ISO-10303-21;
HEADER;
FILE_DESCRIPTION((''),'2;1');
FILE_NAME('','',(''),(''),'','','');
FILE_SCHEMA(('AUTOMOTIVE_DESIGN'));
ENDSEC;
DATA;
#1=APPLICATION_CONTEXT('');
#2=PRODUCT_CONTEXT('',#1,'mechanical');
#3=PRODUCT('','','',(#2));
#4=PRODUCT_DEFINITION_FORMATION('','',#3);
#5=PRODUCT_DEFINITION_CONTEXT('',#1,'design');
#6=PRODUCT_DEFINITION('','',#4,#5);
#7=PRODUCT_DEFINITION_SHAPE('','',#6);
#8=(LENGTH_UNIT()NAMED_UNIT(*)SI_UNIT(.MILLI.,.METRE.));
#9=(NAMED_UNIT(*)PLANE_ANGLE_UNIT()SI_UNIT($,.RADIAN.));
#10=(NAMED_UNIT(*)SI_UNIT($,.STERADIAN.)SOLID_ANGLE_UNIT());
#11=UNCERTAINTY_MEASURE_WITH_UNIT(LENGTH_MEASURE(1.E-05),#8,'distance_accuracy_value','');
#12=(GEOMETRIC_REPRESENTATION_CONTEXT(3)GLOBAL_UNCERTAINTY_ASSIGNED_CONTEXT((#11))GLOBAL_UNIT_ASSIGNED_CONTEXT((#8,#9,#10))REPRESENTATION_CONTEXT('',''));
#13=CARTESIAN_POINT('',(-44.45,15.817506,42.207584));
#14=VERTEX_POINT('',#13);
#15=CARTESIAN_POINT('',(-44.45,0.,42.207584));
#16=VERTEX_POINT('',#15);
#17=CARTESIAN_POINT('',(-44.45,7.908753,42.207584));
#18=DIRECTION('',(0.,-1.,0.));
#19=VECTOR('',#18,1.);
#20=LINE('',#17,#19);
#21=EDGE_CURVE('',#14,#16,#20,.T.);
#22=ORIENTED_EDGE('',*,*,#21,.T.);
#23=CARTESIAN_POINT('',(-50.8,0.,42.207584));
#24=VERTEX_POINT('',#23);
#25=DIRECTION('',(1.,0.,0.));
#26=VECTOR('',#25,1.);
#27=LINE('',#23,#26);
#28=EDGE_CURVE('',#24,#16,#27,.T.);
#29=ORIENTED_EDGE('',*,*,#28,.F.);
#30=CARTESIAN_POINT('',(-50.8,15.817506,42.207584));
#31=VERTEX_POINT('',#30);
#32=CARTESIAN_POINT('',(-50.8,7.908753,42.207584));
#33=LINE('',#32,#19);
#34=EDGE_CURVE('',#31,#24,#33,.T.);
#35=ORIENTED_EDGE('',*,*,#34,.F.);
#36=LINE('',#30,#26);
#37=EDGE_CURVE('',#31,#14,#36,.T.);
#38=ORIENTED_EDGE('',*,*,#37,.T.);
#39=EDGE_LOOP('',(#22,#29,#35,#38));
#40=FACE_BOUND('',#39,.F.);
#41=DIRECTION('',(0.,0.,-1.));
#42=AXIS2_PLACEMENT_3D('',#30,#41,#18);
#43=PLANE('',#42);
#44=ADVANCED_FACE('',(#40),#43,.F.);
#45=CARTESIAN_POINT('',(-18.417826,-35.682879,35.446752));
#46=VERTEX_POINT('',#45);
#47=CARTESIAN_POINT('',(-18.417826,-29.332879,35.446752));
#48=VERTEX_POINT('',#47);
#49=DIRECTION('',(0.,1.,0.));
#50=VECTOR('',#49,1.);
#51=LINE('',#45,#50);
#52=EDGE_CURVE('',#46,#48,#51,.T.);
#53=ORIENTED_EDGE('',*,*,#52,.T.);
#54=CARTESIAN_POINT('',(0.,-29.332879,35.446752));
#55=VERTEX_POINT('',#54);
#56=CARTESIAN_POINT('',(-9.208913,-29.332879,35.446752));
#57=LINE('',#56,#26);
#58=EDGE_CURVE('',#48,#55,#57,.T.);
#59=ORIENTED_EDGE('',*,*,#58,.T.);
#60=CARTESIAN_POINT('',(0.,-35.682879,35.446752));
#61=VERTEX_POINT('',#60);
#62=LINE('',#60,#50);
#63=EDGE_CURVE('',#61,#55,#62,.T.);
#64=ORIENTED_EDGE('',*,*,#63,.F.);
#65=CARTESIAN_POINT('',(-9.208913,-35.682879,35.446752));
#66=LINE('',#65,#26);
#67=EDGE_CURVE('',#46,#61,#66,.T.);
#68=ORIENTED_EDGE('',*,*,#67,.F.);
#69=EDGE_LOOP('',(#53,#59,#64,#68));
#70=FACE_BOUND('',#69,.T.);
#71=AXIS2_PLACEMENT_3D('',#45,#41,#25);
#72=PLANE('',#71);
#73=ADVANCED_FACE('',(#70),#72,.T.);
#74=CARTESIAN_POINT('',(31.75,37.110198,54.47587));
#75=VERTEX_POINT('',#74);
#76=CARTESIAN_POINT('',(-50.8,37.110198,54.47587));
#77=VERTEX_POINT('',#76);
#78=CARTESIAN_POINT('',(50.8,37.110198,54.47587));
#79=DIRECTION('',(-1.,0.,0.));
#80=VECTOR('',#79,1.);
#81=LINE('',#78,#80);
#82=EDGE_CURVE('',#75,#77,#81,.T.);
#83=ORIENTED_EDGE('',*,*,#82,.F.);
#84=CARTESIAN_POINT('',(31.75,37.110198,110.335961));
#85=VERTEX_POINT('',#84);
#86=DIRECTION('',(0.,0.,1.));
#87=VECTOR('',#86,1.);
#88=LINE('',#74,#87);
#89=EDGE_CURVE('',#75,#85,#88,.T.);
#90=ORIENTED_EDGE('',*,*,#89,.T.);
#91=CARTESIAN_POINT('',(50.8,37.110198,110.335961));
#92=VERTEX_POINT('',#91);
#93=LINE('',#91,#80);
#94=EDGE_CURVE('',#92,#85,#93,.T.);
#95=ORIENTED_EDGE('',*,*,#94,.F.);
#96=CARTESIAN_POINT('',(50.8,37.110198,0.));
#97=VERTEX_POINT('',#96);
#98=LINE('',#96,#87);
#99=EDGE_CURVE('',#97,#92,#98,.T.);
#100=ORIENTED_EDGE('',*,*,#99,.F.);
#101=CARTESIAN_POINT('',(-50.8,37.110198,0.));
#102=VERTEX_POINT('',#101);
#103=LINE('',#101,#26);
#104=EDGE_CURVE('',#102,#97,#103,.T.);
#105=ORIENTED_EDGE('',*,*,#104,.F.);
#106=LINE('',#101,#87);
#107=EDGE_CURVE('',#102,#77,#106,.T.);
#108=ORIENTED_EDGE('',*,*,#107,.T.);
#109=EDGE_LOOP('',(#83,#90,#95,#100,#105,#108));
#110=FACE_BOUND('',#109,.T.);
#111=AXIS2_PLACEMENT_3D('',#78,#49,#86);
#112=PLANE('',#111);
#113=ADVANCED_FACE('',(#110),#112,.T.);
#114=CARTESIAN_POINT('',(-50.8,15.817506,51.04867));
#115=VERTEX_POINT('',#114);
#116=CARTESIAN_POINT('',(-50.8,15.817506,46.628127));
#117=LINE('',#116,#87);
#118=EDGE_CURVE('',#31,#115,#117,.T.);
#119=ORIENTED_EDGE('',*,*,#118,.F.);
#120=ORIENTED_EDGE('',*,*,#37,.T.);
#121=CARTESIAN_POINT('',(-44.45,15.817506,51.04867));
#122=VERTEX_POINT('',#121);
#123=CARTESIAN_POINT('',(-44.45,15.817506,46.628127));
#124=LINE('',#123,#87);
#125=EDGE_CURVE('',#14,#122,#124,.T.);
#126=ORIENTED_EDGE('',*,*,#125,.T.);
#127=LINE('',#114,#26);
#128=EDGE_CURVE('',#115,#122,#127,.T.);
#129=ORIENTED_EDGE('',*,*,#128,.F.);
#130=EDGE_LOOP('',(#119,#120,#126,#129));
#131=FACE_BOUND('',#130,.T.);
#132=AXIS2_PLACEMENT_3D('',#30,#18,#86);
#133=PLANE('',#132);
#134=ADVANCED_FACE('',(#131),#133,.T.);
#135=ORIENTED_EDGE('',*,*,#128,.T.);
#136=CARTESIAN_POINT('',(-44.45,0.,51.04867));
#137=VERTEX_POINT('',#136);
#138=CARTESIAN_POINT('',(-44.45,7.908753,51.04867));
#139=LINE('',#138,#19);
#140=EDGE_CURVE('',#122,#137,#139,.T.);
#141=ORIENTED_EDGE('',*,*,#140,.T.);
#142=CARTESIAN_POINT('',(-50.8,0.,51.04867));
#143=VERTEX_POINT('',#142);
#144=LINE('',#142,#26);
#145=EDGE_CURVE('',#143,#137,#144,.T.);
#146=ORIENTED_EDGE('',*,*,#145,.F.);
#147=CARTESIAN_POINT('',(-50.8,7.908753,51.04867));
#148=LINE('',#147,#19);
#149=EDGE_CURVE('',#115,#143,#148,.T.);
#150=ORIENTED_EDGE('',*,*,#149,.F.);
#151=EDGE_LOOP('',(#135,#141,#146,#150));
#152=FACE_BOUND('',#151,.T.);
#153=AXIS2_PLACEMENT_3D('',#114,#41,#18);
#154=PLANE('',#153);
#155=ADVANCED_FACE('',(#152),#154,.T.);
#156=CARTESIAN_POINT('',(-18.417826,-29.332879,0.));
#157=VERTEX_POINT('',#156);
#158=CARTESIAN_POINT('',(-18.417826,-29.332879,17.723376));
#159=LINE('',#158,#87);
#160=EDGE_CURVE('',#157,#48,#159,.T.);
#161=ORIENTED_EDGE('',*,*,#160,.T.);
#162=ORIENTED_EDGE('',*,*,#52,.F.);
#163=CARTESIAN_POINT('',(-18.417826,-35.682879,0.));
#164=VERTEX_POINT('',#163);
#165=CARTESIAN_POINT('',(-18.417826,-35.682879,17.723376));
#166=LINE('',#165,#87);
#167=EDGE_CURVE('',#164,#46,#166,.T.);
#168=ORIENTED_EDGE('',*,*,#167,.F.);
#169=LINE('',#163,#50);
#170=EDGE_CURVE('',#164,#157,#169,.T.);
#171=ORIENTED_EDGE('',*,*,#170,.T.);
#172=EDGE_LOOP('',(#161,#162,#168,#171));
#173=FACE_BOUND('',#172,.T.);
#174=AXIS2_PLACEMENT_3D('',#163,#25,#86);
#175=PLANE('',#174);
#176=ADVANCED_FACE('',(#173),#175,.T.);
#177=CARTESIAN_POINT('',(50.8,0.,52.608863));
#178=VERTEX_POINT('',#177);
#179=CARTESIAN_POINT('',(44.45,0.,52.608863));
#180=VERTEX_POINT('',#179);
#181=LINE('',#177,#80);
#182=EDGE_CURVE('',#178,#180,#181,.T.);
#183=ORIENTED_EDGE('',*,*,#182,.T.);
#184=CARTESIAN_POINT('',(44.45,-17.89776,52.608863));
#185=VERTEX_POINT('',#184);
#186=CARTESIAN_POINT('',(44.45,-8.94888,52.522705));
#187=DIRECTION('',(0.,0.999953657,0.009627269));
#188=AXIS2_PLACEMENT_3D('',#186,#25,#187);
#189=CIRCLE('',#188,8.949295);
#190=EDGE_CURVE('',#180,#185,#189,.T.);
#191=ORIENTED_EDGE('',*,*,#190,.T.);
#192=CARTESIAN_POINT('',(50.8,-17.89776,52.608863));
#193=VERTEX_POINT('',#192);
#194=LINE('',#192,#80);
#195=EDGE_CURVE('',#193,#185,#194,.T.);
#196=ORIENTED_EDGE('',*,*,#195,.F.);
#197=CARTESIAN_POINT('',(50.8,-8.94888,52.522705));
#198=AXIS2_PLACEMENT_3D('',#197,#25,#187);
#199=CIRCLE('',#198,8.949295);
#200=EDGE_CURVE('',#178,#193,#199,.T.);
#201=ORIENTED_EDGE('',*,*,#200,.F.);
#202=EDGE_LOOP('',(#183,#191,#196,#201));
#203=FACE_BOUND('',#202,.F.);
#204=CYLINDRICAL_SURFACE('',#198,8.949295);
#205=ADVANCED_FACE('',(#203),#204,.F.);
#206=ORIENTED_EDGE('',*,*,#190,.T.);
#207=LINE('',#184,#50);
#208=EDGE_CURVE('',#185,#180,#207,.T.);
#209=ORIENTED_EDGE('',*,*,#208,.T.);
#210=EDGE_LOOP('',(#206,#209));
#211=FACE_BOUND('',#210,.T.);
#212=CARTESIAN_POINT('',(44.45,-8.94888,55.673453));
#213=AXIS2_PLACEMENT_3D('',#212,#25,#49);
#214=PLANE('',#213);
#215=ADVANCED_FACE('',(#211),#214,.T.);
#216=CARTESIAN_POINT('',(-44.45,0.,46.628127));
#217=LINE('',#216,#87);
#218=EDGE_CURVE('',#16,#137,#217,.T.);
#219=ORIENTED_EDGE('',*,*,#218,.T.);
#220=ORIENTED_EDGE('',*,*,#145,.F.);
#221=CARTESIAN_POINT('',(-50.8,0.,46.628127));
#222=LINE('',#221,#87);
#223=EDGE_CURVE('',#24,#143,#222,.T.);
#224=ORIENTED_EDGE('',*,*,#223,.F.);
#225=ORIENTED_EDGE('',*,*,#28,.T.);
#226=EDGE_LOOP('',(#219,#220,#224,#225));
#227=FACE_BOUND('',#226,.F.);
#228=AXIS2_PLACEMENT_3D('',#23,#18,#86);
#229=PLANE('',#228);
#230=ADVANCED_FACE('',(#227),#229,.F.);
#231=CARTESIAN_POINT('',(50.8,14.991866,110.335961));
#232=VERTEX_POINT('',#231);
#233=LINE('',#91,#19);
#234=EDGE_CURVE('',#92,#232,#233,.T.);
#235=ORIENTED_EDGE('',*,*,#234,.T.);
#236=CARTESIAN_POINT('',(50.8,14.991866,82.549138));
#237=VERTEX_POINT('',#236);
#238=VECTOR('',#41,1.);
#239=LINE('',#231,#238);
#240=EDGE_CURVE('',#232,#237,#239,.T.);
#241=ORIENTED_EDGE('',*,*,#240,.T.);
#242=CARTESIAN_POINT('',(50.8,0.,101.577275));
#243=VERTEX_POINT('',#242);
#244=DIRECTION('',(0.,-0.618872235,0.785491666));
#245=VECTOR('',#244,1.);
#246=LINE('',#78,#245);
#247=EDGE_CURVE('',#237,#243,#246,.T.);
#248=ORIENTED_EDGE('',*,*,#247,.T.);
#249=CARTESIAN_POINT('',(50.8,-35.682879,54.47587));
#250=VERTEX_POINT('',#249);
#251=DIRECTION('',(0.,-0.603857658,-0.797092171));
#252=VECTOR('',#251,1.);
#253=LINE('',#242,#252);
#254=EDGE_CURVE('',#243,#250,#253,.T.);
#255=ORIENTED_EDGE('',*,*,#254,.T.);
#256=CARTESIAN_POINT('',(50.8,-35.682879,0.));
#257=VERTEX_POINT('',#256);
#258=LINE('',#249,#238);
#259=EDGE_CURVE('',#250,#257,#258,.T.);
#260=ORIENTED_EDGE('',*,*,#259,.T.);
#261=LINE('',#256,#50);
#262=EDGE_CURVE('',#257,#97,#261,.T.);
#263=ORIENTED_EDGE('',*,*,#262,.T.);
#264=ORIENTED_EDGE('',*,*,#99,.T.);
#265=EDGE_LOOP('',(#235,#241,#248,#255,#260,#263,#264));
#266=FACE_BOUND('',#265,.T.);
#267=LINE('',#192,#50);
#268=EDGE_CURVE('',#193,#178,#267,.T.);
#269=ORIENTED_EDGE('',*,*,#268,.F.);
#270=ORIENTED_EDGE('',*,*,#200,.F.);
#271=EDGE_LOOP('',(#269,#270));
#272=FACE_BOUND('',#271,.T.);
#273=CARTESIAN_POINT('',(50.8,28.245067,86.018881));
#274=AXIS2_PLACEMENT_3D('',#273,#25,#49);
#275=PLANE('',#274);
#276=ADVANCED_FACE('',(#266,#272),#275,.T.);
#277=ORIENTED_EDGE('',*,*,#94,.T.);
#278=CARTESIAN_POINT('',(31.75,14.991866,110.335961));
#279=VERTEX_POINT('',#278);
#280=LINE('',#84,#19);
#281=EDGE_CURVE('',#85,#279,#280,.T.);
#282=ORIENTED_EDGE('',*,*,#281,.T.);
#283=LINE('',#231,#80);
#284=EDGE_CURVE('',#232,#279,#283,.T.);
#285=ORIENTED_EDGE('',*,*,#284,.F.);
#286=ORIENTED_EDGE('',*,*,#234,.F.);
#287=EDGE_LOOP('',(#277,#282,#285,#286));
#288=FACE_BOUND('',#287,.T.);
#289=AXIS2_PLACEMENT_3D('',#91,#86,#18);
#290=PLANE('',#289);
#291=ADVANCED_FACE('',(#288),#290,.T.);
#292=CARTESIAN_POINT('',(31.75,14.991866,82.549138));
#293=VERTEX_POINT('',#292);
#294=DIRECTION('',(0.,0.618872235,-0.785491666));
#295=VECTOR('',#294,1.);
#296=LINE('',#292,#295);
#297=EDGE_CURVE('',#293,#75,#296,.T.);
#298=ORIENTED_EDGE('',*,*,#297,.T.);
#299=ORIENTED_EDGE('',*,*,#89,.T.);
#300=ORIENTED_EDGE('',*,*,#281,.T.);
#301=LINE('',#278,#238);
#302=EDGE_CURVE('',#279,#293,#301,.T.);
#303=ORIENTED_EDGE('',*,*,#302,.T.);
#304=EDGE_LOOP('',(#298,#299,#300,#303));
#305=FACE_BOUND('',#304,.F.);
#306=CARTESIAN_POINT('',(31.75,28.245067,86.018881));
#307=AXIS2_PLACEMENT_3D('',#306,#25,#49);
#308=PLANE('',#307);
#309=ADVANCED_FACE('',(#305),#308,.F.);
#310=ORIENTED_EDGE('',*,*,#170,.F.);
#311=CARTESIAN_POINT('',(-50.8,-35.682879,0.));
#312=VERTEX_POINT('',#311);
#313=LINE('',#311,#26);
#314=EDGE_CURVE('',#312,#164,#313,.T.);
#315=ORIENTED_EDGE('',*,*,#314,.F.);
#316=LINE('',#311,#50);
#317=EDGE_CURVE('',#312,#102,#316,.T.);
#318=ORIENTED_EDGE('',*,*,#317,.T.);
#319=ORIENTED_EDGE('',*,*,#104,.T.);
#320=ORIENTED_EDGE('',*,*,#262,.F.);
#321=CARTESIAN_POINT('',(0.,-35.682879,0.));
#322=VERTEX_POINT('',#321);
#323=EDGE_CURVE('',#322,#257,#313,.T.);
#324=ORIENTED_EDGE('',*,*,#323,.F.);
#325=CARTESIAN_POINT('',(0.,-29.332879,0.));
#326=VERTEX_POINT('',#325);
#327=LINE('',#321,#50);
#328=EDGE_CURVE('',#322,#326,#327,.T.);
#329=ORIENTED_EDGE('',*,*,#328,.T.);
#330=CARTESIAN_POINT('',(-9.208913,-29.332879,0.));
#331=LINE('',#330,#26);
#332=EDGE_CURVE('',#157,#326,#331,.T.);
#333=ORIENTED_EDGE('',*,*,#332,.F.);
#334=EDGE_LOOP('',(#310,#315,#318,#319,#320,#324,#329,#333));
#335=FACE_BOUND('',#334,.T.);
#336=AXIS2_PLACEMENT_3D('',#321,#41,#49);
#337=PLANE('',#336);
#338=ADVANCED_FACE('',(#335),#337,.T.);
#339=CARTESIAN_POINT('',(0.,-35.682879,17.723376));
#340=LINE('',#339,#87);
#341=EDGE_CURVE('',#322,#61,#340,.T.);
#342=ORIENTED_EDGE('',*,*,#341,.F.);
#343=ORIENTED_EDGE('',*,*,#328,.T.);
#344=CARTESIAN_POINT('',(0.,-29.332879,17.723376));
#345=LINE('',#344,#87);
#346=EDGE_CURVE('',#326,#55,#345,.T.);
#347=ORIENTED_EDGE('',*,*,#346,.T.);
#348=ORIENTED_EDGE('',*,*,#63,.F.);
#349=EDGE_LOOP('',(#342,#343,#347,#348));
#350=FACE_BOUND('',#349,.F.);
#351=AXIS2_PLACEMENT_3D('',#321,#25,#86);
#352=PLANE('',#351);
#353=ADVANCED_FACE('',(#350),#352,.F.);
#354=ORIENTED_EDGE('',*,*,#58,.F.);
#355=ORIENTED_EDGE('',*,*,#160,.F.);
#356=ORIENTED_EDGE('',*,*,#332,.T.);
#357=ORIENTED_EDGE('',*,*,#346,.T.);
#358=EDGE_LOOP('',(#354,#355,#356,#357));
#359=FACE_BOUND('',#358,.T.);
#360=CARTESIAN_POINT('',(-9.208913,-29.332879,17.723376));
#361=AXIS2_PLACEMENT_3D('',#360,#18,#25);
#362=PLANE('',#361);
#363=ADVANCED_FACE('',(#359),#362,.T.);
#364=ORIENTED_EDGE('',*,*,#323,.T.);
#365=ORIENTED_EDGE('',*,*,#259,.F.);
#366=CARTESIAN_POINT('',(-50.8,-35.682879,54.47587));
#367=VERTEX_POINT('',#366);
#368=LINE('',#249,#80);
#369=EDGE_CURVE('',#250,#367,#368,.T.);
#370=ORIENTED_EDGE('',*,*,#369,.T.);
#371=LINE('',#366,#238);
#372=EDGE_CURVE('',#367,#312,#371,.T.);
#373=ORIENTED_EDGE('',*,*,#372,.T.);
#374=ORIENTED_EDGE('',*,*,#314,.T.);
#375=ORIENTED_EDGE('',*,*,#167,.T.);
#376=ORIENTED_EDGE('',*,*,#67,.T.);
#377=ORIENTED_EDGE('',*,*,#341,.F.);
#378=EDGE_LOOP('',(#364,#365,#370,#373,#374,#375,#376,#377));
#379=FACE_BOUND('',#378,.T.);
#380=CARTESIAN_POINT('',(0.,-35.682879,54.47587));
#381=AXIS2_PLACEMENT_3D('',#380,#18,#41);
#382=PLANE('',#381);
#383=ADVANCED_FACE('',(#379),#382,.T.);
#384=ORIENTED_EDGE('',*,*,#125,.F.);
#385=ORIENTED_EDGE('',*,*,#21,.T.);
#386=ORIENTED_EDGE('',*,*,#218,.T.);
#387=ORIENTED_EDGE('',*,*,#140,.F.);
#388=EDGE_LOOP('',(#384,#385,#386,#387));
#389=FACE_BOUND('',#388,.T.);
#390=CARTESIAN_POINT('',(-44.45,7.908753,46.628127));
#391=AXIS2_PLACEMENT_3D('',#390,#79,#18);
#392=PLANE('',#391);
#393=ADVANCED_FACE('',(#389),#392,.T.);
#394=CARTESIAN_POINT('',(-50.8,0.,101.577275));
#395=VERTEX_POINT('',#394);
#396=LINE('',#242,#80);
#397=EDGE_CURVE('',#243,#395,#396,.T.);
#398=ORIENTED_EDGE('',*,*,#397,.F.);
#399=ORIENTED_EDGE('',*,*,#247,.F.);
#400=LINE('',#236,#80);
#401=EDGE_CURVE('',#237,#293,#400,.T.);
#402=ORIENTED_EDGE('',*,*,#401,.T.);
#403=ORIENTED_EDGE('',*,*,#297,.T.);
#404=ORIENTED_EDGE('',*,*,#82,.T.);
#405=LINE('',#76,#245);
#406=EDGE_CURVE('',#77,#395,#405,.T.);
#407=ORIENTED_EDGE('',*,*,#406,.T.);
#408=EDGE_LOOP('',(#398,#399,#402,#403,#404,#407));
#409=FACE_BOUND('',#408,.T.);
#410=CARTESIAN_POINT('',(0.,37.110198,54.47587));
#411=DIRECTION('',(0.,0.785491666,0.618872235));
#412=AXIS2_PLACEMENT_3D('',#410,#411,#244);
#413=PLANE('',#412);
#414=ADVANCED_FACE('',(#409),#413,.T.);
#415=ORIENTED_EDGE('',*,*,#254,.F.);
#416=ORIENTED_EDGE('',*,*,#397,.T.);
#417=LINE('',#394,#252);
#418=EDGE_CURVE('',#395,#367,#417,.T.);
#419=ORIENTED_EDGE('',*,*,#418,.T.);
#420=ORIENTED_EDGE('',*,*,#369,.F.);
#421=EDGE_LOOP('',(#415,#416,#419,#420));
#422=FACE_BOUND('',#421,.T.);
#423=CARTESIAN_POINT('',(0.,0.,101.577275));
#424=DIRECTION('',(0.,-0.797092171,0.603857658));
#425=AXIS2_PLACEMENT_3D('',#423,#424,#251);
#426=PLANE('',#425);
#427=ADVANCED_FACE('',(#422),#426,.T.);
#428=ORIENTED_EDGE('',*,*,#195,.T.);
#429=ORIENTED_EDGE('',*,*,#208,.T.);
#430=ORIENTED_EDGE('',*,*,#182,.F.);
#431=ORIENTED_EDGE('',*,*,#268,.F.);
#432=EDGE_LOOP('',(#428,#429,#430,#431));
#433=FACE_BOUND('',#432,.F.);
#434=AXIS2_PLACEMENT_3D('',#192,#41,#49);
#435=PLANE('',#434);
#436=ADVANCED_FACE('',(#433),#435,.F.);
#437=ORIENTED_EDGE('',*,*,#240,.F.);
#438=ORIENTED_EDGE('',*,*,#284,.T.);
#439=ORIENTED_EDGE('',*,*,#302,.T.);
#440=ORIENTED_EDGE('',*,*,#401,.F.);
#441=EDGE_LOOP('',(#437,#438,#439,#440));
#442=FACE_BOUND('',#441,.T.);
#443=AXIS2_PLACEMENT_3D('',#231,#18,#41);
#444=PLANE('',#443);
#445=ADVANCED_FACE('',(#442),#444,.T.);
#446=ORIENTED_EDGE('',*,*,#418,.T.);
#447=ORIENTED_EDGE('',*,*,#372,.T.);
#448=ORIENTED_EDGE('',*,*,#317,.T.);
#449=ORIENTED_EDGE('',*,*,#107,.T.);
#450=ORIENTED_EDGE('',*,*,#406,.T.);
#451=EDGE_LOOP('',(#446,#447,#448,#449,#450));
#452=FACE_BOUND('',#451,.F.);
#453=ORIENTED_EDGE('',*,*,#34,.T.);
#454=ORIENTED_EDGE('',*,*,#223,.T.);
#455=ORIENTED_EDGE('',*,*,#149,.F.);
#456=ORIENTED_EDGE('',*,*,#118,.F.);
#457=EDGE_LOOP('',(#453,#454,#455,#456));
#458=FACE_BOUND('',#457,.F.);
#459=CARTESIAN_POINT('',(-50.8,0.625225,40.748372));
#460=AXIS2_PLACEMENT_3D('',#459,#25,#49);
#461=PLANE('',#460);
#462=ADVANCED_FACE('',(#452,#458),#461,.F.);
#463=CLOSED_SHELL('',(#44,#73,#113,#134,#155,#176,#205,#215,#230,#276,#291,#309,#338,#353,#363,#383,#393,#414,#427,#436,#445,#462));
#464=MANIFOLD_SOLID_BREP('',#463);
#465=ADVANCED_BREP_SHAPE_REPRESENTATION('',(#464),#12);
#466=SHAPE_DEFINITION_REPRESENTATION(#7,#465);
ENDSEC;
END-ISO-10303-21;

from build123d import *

# Parameters (mm, degrees)
F1_DEPTH      = 50.8
F1_DEPTH_BACK = 50.8
F3_DEPTH      = 19.05
F4_W          = 18.4178259224
F4_H          = 35.4467518628
F5_DEPTH      = 6.35
F6_W          = 15.8175062388
F6_H          = 8.841086179
F7_DEPTH      = 6.35
F9_DEPTH      = 6.35


with BuildPart() as f1:
    # F0 (on Right) → F1 (new body, two sides)
    with BuildSketch(Plane.YZ) as f1_sk:
        Polygon((-35.6828793883, 54.4758699834), (-35.6828793883, 0), (37.1101982892, 0), (37.1101982892, 54.4758699834), (0, 101.5772745013), align=None)
    extrude(amount=F1_DEPTH)
    extrude(f1_sk.sketch, amount=-F1_DEPTH_BACK)

    # F2 (on face) → F3 (join)
    with BuildSketch(Plane.YZ.offset(50.8)):
        Polygon((14.9918657955, 110.3359609842), (14.9918657955, 82.5491375506), (37.1101982892, 54.4758699834), (37.1101982892, 110.3359609842), align=None)
    extrude(amount=-F3_DEPTH)

    # F4 (on face) → F5 (cut)
    with BuildSketch(Plane.XZ.offset(35.6828793883)):
        with Locations((-9.2089129612, 17.7233759314)):
            Rectangle(F4_W, F4_H)
    extrude(amount=-F5_DEPTH, mode=Mode.SUBTRACT)

    # F6 (on face) → F7 (cut)
    with BuildSketch(Plane(origin=(-50.8, 0, 0), x_dir=(0, -1, 0), z_dir=(-1, 0, 0))):
        with Locations((-7.9087531194, 46.6281268746)):
            Rectangle(F6_W, F6_H)
    extrude(amount=-F7_DEPTH, mode=Mode.SUBTRACT)

    # F8 (on face) → F9 (cut)
    with BuildSketch(Plane.YZ.offset(50.8)):
        with BuildLine():
            Line((-17.8977604955, 52.6088625193), (0, 52.6088625193))
            ThreePointArc((0, 52.6088625193), (-8.9488802478, 61.4720002386), (-17.8977604955, 52.6088625193))
        make_face()
    extrude(amount=-F9_DEPTH, mode=Mode.SUBTRACT)


solid = f1.part
